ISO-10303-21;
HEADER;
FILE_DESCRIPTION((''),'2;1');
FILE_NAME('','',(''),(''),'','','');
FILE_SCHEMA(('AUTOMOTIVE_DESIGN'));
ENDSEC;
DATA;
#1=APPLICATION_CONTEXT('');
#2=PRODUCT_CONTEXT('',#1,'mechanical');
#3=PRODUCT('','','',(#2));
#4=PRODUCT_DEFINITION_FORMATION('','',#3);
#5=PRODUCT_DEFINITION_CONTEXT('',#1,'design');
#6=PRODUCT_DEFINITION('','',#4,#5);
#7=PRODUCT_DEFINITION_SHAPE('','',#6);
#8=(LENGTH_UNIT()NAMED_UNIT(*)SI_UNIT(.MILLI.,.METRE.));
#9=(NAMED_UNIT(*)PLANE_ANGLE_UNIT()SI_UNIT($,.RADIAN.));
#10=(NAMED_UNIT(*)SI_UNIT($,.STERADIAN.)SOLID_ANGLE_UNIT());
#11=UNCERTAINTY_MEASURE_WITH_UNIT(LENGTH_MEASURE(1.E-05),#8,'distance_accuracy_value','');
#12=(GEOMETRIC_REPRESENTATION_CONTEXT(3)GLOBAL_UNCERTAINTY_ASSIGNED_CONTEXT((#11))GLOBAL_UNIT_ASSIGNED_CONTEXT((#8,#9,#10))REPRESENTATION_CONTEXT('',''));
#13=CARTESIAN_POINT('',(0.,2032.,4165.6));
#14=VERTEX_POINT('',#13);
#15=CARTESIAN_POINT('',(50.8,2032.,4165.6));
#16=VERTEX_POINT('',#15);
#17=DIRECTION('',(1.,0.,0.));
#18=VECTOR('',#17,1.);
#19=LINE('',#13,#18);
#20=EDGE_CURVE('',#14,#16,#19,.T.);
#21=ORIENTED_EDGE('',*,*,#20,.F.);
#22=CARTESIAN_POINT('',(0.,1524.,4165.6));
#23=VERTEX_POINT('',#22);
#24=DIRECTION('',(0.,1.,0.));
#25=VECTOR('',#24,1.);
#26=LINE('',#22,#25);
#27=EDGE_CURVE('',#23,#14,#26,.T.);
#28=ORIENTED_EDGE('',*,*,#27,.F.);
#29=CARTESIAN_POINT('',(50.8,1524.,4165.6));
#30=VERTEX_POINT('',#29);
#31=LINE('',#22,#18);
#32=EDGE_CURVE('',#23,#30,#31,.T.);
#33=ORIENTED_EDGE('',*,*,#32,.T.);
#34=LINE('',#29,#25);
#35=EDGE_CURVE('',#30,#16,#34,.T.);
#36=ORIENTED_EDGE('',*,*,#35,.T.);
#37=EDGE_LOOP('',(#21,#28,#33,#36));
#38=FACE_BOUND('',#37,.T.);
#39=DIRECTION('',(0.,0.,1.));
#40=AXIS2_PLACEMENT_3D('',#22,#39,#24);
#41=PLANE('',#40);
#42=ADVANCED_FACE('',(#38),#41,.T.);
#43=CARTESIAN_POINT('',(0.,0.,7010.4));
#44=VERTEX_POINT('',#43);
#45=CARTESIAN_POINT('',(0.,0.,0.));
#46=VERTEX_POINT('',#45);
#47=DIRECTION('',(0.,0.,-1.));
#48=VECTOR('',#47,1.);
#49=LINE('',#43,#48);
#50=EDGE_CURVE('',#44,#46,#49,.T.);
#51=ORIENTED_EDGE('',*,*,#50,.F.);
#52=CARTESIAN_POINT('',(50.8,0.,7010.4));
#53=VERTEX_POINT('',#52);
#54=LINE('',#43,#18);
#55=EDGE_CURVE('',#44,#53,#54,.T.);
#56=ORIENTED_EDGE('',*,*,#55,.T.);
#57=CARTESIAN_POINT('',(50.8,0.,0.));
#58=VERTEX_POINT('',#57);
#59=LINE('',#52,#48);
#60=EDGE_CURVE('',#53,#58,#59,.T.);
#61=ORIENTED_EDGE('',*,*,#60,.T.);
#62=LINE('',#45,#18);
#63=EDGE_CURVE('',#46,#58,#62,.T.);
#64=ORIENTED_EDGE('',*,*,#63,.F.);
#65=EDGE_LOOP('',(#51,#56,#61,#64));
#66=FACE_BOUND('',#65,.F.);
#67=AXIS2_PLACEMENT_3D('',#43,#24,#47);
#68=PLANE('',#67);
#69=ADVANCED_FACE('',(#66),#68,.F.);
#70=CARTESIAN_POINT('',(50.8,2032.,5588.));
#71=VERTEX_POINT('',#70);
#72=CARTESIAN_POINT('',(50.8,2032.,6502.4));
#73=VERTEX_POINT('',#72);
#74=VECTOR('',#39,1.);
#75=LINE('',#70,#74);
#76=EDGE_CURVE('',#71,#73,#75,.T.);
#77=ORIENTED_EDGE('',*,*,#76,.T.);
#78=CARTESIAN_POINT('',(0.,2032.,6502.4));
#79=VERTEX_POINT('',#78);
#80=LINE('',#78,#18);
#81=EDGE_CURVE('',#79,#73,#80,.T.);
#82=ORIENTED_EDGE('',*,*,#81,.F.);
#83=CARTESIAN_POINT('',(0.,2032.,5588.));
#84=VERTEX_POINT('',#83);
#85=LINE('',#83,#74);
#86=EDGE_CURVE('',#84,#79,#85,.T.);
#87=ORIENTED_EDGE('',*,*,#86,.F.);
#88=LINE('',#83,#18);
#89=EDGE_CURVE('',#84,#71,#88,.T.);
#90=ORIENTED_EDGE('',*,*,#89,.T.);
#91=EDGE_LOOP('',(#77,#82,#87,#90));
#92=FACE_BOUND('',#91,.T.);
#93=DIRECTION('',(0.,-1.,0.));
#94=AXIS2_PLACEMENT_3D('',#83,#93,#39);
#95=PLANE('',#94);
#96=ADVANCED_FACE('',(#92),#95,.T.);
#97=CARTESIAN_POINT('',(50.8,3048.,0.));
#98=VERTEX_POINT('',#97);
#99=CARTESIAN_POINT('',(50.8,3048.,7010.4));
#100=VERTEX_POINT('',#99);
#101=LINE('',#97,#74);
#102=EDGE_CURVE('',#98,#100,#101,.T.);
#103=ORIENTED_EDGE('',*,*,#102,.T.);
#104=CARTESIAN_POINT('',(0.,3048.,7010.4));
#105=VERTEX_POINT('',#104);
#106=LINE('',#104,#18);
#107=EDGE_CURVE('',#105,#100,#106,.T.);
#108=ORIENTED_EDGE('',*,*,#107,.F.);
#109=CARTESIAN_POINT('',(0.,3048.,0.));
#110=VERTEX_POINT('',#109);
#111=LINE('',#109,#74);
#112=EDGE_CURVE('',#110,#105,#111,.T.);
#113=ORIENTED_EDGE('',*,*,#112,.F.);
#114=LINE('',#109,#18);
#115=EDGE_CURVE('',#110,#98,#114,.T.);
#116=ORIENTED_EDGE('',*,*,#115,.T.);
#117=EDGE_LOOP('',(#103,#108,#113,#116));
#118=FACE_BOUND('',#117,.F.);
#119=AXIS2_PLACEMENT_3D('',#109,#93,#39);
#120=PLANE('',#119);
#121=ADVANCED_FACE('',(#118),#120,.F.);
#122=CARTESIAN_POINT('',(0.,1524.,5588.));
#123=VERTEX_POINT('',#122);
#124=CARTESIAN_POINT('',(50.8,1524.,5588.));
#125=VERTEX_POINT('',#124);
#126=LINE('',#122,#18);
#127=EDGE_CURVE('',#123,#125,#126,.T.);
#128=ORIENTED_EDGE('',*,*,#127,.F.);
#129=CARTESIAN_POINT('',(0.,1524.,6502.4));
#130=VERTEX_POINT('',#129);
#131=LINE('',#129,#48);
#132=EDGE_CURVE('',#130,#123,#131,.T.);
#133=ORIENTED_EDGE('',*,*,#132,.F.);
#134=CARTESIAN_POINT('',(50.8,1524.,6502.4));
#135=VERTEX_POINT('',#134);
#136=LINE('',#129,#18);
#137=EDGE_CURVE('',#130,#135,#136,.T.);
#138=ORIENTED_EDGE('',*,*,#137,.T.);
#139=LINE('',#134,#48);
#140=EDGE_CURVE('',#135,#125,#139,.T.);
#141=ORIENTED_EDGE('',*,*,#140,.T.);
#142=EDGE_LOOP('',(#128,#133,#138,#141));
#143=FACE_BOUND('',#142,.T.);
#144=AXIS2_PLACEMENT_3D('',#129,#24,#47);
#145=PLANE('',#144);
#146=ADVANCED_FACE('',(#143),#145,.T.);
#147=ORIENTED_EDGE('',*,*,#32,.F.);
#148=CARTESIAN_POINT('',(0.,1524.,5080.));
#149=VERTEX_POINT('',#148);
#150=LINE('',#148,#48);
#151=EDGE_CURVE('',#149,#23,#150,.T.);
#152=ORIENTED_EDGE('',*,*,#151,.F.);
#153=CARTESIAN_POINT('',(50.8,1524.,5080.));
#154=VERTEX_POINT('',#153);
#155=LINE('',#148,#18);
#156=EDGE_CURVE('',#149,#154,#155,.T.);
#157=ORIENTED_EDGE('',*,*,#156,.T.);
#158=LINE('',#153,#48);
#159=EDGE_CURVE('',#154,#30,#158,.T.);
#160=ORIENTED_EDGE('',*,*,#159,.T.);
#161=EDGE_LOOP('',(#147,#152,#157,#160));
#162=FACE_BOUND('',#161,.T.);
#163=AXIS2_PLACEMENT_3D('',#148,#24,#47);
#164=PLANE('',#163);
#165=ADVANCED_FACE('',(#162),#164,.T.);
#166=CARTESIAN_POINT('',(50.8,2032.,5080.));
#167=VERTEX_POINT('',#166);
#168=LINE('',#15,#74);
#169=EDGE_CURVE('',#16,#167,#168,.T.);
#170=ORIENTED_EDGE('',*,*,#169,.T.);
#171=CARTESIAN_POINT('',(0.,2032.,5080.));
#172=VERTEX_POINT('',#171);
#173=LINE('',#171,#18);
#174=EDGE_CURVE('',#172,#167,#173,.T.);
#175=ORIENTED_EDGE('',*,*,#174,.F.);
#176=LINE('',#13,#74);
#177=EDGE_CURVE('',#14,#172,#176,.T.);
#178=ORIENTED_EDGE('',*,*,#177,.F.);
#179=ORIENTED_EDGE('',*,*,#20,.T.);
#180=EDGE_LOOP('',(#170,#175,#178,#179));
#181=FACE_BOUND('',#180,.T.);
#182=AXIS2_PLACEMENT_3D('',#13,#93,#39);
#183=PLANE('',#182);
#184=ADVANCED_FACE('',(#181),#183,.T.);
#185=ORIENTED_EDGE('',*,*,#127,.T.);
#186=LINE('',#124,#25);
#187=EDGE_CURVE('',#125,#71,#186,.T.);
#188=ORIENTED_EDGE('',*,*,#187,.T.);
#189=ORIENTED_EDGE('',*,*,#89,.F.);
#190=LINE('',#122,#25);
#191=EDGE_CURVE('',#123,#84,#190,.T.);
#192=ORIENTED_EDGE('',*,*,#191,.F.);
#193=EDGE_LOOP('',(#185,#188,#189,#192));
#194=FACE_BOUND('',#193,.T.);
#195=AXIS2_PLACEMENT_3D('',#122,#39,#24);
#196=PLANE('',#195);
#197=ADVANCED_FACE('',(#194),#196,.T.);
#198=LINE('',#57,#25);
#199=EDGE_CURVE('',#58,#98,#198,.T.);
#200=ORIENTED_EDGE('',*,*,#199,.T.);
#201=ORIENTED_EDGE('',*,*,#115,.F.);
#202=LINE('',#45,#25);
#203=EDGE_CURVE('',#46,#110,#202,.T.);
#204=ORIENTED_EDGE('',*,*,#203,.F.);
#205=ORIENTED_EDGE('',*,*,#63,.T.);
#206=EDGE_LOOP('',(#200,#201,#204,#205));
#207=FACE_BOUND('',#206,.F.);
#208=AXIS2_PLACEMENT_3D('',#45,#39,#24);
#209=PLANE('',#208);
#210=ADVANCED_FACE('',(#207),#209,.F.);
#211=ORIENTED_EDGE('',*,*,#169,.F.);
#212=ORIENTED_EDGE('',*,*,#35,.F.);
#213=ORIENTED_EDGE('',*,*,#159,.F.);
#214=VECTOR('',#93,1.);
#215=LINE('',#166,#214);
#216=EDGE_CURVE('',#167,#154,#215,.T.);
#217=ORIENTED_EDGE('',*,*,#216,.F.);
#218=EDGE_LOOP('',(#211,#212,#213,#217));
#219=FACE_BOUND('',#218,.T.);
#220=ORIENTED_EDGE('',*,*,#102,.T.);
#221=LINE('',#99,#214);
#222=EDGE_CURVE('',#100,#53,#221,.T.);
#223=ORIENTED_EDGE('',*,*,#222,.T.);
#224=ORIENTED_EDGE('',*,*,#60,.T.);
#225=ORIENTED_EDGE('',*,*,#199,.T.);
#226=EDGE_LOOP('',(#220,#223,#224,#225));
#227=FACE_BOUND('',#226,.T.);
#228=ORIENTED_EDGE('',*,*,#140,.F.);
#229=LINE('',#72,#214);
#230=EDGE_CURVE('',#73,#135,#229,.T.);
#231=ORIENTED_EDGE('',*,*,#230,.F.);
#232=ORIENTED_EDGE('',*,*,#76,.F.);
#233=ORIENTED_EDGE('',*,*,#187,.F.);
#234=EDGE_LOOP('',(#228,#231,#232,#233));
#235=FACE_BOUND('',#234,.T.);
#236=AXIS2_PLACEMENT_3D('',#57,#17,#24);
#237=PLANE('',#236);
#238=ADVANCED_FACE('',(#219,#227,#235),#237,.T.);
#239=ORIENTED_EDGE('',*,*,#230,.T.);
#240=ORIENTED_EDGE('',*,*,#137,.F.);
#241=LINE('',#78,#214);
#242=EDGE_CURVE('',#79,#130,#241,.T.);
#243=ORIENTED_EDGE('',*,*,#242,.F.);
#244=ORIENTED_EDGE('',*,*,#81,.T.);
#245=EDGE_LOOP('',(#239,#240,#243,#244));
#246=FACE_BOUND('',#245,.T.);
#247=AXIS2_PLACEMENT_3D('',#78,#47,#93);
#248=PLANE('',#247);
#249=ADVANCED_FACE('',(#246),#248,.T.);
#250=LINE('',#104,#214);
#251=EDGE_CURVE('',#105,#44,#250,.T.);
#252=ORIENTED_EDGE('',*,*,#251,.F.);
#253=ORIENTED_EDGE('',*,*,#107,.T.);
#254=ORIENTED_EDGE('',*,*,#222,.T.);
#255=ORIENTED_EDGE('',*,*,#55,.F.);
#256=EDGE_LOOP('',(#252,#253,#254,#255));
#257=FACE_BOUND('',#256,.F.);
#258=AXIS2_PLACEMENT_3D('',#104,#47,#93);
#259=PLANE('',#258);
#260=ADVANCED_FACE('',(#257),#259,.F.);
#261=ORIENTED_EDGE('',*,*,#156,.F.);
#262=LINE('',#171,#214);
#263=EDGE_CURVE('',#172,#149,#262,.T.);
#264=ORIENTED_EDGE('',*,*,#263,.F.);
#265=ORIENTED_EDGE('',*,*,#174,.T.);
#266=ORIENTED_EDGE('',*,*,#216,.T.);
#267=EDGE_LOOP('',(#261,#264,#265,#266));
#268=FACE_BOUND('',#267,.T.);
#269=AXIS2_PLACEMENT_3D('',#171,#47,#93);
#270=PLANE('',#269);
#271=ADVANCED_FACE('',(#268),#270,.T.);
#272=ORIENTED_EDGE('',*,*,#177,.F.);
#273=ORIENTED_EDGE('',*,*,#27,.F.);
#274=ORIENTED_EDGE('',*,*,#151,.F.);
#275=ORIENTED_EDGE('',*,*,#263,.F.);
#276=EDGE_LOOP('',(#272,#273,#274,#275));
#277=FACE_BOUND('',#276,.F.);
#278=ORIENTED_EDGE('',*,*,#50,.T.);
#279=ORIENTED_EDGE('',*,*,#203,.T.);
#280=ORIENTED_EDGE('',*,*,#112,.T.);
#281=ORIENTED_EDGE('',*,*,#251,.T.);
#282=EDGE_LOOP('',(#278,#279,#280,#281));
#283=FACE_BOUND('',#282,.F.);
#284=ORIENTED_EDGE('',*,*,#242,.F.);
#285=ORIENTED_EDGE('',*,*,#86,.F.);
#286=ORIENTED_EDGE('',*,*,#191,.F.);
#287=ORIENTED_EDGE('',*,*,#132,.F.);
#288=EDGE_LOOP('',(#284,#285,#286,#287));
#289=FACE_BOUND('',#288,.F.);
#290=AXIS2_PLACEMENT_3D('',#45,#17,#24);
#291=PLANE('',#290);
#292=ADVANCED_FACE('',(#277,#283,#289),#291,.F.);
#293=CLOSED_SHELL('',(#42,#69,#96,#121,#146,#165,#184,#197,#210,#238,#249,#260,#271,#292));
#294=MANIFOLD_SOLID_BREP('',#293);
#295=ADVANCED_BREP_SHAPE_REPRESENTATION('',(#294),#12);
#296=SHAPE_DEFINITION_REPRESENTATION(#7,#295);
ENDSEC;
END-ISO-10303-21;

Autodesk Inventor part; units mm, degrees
ref_plane "YZ Plane" through (0, 0, 0) normal (1, 0, 0) x (0, 1, 0)
ref_plane "XZ Plane" through (0, 0, 0) normal (0, 1, 0) x (-1, 0, 0)
ref_plane "XY Plane" through (0, 0, 0) normal (0, 0, 1) x (1, 0, 0)
sketch "Sketch1" plane through (0, 0, 0) normal (1, 0, 0) x (0, 1, 0)
  line L0 (0, 0) -> (3048, 0)
  line L1 (3048, 0) -> (3048, 7010.4)
  line L2 (3048, 7010.4) -> (0, 7010.4)
  line L3 (0, 7010.4) -> (0, 0)
  line L4 (2032, 6502.4) -> (1524, 6502.4)
  line L5 (1524, 6502.4) -> (1524, 5588)
  line L6 (1524, 5588) -> (2032, 5588)
  line L7 (2032, 5588) -> (2032, 6502.4)
  line L8 (2032, 5080) -> (1524, 5080)
  line L9 (1524, 5080) -> (1524, 4165.6)
  line L10 (1524, 4165.6) -> (2032, 4165.6)
  line L11 (2032, 4165.6) -> (2032, 5080)
  dimension "Width" = 7010.4
  dimension "Height" = 3048
  dimension "d4" = 508
  dimension "d5" = 914.4
  dimension "d6" = 1524
  dimension "d7" = 508
  dimension "d8" = 508
extrude "Extrusion1" add sketch "Sketch1" along normal blind 50.8
properties part number "Wall"
